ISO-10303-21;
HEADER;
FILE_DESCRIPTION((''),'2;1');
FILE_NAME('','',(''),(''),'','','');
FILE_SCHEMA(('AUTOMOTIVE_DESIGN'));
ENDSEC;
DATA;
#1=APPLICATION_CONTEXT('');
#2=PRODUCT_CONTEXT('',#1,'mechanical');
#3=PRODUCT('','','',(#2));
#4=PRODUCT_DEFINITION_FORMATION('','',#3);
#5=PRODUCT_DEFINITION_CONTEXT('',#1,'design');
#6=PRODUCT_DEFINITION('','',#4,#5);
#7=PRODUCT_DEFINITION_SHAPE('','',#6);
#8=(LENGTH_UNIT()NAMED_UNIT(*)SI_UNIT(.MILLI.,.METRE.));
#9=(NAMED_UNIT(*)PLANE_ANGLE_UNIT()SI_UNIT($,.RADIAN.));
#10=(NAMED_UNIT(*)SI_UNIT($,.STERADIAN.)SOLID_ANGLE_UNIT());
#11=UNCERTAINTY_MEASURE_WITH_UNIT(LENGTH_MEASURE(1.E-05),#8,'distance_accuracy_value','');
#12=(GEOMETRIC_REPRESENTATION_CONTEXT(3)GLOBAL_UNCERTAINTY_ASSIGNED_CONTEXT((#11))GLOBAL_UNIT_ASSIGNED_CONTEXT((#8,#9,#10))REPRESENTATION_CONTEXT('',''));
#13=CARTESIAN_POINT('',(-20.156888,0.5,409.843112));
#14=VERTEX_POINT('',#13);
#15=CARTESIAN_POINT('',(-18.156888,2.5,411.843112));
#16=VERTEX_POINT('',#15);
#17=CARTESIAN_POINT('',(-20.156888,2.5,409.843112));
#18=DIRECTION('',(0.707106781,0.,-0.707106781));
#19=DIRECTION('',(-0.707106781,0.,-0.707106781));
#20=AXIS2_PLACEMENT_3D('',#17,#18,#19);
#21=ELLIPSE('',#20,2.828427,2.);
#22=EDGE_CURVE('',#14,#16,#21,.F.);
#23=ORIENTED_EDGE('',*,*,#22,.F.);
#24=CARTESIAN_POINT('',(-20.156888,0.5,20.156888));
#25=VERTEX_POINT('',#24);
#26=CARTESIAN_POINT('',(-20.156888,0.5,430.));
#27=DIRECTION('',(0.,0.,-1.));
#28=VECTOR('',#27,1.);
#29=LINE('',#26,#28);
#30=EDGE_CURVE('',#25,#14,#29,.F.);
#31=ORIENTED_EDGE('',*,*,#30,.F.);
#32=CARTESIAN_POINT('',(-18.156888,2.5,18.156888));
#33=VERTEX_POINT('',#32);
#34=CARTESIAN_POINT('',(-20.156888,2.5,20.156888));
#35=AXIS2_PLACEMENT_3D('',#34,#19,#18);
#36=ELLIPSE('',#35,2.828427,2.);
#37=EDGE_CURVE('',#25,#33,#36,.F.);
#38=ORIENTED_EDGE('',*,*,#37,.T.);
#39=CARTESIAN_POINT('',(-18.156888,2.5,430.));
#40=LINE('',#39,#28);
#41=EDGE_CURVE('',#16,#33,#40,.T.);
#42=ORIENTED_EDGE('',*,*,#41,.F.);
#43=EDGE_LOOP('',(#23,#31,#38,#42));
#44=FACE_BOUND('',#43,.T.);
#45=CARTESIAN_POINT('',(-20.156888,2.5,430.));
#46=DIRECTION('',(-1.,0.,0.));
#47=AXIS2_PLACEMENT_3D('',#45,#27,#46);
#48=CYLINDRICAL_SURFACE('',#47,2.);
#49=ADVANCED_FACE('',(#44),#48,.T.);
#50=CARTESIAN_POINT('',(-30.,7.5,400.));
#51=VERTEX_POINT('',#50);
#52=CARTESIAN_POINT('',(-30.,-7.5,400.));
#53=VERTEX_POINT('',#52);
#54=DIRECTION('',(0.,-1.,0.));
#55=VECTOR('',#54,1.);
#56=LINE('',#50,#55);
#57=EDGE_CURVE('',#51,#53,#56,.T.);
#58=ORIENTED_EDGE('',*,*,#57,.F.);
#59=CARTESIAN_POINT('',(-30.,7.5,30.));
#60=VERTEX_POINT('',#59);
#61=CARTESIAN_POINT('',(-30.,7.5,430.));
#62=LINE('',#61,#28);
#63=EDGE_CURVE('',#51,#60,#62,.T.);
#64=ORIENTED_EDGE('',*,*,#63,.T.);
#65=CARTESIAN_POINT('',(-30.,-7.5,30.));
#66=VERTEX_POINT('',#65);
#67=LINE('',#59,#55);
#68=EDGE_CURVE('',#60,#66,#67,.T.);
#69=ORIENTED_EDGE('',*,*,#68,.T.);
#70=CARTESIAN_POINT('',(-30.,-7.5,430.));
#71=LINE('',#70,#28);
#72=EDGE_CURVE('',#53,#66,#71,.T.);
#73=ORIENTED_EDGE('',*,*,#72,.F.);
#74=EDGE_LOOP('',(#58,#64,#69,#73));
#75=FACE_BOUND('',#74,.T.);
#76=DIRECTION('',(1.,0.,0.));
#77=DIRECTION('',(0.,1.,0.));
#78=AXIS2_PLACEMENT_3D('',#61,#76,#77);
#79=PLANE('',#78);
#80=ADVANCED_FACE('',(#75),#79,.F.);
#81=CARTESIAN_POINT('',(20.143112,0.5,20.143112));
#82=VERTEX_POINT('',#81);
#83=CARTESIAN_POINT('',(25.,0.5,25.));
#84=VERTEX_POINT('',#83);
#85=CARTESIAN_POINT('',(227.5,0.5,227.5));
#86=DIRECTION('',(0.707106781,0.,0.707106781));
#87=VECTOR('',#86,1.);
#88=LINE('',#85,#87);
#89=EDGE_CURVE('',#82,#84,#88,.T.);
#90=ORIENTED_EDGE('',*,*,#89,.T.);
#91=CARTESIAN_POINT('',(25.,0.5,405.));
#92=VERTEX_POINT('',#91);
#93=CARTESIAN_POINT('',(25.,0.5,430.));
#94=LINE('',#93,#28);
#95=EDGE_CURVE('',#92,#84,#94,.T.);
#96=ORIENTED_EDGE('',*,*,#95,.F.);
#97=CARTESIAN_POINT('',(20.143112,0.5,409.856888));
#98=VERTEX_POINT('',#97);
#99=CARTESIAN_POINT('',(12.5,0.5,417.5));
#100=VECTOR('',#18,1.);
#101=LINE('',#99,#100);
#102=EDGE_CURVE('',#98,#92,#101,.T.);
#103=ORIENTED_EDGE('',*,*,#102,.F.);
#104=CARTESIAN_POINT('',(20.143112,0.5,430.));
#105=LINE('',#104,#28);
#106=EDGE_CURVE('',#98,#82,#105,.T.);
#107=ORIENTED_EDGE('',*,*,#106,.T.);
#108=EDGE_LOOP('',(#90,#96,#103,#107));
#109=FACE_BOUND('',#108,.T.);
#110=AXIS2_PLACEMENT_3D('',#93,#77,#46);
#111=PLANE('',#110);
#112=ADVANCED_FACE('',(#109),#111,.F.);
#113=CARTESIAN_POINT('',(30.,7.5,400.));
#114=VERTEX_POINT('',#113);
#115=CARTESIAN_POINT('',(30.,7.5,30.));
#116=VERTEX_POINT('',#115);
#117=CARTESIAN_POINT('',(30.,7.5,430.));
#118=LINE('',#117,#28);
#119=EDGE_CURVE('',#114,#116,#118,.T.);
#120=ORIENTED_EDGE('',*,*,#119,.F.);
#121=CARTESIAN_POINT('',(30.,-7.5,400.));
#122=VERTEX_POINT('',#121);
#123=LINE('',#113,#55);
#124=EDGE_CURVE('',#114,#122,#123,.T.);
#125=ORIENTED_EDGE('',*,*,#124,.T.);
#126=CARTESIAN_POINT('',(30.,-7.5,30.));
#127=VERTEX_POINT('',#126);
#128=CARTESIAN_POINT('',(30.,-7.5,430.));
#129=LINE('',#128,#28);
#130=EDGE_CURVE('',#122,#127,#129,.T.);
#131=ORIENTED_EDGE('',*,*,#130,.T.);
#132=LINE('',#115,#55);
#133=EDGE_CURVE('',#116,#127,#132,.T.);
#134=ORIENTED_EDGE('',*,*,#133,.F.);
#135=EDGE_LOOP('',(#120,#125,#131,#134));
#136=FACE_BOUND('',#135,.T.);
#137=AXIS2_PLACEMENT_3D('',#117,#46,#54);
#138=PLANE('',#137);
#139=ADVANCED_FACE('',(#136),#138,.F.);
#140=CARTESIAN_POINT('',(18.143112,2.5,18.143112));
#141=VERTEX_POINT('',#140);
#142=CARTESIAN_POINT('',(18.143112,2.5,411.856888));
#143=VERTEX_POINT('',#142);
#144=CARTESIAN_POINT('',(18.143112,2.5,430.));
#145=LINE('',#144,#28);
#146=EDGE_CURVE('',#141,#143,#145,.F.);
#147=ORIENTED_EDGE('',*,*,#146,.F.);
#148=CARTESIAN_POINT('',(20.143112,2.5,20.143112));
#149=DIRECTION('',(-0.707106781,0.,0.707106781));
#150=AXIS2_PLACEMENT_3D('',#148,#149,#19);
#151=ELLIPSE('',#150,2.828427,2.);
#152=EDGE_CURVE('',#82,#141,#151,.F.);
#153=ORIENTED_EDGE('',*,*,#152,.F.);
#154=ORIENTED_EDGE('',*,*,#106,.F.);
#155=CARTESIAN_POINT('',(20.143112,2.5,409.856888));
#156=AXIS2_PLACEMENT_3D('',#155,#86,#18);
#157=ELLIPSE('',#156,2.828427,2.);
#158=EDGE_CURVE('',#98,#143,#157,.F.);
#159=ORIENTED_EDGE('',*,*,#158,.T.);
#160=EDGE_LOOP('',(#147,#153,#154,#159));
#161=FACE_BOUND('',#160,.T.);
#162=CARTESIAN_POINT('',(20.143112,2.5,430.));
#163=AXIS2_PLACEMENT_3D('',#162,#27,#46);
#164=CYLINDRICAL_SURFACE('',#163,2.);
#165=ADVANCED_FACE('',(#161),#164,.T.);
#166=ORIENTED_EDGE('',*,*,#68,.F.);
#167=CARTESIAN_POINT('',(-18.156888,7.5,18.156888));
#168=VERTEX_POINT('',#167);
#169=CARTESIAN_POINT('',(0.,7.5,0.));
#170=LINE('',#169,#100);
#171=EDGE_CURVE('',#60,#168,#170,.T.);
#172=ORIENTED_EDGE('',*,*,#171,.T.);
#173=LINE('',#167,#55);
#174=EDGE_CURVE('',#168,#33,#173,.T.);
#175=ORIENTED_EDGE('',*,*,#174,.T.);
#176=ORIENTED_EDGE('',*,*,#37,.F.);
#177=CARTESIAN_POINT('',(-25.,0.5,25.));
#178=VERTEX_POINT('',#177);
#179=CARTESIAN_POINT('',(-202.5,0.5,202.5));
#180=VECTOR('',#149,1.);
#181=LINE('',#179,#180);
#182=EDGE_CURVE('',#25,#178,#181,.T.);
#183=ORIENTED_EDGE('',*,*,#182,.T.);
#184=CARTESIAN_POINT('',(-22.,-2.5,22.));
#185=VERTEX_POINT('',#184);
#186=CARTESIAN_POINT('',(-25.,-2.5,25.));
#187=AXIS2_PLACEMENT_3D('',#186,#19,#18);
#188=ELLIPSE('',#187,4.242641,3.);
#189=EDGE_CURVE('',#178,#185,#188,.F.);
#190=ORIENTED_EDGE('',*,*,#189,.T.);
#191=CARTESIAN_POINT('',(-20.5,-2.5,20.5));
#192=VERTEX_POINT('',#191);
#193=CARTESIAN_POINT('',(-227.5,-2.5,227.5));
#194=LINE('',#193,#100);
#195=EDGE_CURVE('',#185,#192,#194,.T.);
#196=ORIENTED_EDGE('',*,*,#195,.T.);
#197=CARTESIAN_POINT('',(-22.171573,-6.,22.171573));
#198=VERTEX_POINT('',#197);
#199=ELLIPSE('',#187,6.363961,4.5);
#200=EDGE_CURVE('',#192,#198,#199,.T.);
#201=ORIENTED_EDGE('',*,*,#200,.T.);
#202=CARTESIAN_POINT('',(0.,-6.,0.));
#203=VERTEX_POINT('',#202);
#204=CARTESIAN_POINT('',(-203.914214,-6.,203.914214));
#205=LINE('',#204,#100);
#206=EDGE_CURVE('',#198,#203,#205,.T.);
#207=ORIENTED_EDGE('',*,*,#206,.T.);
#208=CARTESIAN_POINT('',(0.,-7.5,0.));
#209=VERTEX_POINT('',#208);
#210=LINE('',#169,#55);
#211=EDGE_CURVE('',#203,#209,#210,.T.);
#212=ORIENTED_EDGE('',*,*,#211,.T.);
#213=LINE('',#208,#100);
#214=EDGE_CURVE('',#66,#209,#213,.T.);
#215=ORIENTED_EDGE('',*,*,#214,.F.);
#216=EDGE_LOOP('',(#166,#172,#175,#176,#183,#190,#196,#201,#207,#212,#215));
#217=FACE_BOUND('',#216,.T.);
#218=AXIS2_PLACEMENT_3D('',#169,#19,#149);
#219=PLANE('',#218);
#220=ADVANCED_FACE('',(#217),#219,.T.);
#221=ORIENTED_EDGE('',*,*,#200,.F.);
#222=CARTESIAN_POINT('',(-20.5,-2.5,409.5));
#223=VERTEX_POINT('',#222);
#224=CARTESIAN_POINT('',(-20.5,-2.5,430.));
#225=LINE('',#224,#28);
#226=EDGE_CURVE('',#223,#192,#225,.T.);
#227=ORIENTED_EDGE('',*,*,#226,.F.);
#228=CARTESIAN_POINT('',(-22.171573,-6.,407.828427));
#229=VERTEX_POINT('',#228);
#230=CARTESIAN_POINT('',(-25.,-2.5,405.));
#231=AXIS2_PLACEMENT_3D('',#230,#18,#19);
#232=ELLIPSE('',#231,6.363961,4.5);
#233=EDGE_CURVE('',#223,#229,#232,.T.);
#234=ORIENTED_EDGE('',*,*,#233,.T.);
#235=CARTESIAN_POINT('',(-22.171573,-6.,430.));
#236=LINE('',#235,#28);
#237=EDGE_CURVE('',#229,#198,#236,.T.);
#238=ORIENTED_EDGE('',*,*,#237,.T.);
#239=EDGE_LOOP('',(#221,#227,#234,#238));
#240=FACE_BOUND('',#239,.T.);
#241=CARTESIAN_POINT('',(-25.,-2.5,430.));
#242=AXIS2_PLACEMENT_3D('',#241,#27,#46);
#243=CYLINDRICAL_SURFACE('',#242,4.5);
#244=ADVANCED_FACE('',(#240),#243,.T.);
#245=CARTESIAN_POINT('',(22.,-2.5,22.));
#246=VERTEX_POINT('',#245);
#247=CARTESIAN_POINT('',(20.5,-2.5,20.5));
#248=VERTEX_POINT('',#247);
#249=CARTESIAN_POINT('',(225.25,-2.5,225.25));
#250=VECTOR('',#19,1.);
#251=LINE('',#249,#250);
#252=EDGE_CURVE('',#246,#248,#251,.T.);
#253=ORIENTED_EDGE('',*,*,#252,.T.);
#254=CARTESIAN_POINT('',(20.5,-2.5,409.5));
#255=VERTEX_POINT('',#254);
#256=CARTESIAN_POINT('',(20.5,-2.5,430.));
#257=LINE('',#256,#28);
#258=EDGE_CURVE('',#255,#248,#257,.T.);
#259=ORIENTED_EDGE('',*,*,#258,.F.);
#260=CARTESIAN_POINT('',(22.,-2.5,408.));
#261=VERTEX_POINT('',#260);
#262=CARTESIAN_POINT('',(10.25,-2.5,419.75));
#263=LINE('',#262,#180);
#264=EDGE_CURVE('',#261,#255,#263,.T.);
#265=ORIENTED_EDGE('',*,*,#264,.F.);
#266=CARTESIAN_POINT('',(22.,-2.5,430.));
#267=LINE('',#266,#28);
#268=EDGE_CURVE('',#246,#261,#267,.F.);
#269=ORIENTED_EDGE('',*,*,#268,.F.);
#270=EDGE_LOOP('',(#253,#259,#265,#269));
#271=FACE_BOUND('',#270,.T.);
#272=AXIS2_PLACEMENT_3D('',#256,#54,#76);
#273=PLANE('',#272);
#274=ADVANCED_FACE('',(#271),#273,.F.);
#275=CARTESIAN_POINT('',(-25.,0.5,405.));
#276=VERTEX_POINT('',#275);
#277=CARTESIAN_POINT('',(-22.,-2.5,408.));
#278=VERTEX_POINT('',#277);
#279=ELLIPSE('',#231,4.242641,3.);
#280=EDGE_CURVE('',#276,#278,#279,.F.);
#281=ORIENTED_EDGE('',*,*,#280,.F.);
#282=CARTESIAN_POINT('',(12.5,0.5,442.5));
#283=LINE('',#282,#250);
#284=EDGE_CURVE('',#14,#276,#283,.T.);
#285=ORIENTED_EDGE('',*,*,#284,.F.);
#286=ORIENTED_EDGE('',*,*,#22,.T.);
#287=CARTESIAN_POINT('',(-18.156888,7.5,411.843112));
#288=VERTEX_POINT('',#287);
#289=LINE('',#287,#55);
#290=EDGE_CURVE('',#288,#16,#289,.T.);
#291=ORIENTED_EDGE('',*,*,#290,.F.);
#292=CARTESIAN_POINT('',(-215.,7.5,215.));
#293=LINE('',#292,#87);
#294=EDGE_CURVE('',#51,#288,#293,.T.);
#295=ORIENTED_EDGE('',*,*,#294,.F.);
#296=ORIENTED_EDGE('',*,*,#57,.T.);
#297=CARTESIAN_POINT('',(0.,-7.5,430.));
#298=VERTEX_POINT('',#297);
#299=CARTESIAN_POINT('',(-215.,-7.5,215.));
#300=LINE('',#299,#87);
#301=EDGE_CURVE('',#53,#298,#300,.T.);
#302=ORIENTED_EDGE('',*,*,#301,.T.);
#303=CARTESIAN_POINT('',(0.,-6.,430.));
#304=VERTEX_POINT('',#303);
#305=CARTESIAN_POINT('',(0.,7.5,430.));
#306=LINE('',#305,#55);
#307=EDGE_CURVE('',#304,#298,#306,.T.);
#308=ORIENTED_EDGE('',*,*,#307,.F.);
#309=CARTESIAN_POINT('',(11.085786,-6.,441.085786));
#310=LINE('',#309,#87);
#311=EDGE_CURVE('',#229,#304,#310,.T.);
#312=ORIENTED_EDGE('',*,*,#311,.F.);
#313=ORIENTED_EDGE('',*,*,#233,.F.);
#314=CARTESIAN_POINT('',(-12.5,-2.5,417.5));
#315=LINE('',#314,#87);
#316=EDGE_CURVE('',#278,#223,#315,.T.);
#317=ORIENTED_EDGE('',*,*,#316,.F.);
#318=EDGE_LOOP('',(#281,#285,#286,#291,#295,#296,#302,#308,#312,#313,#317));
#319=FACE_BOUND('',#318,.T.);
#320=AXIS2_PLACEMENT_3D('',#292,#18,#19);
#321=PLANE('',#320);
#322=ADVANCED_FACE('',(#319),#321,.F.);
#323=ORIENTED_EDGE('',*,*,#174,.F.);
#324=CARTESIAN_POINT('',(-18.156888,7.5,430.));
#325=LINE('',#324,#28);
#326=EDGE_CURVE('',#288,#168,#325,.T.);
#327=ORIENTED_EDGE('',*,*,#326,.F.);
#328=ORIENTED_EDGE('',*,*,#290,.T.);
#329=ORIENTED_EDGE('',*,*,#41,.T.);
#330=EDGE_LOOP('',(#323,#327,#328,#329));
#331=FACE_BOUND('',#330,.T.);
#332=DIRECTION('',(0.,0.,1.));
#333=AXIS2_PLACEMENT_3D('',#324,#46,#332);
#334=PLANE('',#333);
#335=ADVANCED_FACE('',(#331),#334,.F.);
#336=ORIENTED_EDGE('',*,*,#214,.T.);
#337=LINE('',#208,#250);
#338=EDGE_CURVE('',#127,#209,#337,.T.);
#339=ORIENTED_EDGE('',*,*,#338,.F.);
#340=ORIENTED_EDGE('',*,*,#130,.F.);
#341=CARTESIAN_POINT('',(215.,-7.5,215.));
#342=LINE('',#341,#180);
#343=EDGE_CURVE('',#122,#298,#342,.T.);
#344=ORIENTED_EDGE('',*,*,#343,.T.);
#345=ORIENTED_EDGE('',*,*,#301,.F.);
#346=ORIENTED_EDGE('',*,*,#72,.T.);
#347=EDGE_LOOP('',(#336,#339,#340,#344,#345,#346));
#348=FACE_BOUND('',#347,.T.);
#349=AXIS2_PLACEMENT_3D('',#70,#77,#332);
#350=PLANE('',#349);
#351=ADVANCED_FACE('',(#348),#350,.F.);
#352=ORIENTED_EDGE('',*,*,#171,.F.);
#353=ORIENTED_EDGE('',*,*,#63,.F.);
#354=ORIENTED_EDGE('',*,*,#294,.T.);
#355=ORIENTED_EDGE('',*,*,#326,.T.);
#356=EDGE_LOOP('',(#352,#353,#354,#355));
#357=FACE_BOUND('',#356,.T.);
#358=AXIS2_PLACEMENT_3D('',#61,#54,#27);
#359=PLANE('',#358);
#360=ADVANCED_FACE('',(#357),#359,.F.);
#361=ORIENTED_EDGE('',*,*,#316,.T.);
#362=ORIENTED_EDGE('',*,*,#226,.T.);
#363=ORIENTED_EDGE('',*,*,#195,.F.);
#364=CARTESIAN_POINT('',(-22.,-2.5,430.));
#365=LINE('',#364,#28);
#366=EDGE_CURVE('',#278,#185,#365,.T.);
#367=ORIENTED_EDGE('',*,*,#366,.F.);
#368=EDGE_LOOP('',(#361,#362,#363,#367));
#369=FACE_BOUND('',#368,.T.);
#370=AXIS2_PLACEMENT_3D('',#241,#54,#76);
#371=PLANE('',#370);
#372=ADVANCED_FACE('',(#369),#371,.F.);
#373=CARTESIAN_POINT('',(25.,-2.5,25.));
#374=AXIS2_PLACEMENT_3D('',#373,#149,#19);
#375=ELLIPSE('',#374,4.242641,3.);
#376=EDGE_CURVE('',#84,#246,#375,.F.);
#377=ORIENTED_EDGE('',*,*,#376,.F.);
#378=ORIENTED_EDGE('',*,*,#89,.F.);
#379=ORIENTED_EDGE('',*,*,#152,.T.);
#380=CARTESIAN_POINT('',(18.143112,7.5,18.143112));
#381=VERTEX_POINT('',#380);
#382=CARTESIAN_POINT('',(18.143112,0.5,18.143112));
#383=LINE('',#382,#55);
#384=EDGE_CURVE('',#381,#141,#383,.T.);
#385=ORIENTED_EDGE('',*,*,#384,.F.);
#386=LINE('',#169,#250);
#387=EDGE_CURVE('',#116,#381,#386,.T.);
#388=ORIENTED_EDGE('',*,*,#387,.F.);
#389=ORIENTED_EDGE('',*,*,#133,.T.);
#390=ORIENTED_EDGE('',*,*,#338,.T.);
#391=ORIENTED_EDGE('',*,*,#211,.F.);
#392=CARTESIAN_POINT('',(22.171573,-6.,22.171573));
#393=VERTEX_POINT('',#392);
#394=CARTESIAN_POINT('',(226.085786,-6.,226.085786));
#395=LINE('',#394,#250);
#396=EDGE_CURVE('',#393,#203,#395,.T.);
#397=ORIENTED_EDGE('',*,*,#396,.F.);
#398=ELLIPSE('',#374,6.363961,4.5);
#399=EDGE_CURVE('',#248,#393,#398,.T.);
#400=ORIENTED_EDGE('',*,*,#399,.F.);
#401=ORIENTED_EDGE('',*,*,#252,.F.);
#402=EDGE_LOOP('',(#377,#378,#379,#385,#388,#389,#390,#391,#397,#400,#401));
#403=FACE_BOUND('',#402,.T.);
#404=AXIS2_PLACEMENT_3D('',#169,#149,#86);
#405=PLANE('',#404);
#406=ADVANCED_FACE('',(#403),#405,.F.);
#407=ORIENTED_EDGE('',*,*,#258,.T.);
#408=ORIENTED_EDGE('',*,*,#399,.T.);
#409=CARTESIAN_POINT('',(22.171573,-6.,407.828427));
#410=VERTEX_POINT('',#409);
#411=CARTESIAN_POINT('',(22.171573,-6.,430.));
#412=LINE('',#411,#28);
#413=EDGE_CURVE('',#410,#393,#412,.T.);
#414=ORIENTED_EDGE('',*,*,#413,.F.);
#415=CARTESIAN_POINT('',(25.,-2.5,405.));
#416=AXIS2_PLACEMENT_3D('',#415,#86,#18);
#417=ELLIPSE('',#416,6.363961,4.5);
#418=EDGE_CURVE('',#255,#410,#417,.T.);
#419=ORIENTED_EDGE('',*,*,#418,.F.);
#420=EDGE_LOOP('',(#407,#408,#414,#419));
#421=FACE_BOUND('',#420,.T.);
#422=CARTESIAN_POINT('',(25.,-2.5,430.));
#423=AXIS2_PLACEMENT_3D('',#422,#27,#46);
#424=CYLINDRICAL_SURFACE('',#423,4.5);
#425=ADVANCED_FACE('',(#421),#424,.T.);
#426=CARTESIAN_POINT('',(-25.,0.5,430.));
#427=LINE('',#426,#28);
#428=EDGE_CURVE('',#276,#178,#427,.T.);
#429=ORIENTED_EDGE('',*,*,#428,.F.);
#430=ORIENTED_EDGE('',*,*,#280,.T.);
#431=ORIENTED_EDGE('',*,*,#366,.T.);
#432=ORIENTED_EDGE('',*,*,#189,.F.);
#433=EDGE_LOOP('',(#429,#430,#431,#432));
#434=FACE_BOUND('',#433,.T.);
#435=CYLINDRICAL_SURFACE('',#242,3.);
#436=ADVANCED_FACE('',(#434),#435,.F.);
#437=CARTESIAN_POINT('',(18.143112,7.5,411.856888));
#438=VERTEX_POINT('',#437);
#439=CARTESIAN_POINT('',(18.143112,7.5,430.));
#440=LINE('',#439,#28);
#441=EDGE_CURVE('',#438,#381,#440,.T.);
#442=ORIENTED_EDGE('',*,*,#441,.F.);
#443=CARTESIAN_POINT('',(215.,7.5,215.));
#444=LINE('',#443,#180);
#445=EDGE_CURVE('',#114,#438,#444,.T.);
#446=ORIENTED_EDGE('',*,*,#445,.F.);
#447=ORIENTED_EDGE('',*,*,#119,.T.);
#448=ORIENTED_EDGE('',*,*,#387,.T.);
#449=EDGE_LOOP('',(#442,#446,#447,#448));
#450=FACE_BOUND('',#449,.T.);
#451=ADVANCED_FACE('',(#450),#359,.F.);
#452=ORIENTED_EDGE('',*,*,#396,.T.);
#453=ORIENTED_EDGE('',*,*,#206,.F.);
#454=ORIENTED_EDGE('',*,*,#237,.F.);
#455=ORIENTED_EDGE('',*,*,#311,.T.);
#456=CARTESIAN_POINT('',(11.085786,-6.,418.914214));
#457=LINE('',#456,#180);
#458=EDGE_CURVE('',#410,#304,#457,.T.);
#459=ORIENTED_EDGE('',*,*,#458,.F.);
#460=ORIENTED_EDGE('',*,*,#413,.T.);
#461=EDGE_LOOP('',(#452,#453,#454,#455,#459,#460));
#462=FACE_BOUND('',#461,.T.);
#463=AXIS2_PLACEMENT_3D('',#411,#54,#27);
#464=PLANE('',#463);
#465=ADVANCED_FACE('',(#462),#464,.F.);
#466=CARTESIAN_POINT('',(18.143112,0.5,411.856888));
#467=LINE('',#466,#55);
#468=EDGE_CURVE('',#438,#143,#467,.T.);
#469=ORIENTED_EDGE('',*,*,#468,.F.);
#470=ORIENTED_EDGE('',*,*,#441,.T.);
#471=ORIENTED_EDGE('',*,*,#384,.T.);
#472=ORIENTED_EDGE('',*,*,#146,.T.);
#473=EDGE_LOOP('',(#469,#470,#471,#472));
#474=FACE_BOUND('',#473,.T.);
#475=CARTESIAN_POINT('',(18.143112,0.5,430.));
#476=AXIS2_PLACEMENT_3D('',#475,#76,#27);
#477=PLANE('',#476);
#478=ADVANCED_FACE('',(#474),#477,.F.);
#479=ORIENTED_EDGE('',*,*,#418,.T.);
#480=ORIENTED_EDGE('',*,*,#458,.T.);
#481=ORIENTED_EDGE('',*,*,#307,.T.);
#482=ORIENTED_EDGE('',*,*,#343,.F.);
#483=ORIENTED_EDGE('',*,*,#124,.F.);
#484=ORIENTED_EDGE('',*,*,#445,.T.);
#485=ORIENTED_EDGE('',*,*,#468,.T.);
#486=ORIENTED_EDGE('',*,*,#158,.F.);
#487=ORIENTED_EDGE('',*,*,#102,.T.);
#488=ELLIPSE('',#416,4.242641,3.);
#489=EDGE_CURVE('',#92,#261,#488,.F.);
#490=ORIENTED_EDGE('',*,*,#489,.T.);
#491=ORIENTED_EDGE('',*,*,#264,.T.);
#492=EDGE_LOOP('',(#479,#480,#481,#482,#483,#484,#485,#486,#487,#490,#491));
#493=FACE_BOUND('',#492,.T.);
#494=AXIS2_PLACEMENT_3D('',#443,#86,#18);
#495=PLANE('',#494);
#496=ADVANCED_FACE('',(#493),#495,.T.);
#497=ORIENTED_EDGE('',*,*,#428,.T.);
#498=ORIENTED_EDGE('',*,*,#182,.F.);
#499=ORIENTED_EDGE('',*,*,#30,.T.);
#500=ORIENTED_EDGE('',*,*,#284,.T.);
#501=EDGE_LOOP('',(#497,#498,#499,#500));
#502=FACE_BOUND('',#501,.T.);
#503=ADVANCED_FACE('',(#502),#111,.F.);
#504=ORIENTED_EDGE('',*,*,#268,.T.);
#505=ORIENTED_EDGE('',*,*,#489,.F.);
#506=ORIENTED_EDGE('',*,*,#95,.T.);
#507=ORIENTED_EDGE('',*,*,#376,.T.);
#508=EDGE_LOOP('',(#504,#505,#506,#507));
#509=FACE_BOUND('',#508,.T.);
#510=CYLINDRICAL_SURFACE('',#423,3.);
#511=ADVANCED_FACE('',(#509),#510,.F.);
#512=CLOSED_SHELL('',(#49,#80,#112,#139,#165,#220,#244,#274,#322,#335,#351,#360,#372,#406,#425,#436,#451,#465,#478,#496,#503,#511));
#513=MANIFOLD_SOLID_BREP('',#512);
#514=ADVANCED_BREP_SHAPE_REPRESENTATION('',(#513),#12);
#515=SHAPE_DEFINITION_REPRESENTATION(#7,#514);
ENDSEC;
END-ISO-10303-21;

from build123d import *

# Parameters (mm, degrees)
SKETCH_1_W          = 60
SKETCH_1_H          = 15
EXTRUDE_1_DEPTH     = 430
SKETCH_2_R          = 3
CUT_EXTRUDE_1_DEPTH = 432.110484679
CUT_EXTRUDE_2_DEPTH = 432.110484679
SKETCH_4_W          = 36.3
SKETCH_4_H          = 7
CUT_EXTRUDE_3_DEPTH = 432.110484679
FILLET_1_R          = 2
CUT_EXTRUDE_4_DEPTH = 432.306155764


with BuildPart() as part:
    # 스케치1 → 보스-돌출1 (new body)
    with BuildSketch(Plane.XY):
        Rectangle(SKETCH_1_W, SKETCH_1_H)
    extrude(amount=EXTRUDE_1_DEPTH)

    # 스케치2 → 컷-돌출1 (cut, through all)
    with BuildSketch(Plane(origin=(0, 0, 0), x_dir=(-1, 0, 0), z_dir=(0, 0, -1))):
        with Locations((-25, -2.5)):
            Circle(SKETCH_2_R)
        with Locations((25, -2.5)):
            Circle(SKETCH_2_R)
    extrude(amount=-CUT_EXTRUDE_1_DEPTH, mode=Mode.SUBTRACT)

    # 스케치3 → 컷-돌출2 (cut, through all)
    with BuildSketch(Plane(origin=(0, 0, 0), x_dir=(-1, 0, 0), z_dir=(0, 0, -1))):
        with BuildLine():
            Line((-22.171572875, -6), (22.171572875, -6))
            ThreePointArc((22.171572875, -6), (20.939339828, -4.439339828), (20.5, -2.5))
            Line((20.5, -2.5), (25, -2.5))
            Line((25, -2.5), (25, 0.5))
            Line((25, 0.5), (-25, 0.5))
            Line((-25, 0.5), (-25, -2.5))
            Line((-25, -2.5), (-20.5, -2.5))
            ThreePointArc((-20.5, -2.5), (-20.939339828, -4.439339828), (-22.171572875, -6))
        make_face()
    extrude(amount=-CUT_EXTRUDE_2_DEPTH, mode=Mode.SUBTRACT)

    # 스케치4 → 컷-돌출3 (cut, through all)
    with BuildSketch(Plane(origin=(0, 0, 0), x_dir=(-1, 0, 0), z_dir=(0, 0, -1))):
        with Locations((0.006888359, 4)):
            Rectangle(SKETCH_4_W, SKETCH_4_H)
    extrude(amount=-CUT_EXTRUDE_3_DEPTH, mode=Mode.SUBTRACT)

    # 필렛1
    fillet_1_edges = [part.edges().sort_by_distance(p)[0] for p in [
        (-18.156888359, 0.5, 215),
        (18.143111641, 0.5, 215),
    ]]
    fillet(fillet_1_edges, radius=FILLET_1_R)

    # 스케치5 → 컷-돌출4 (cut, through all)
    with BuildSketch(Plane.XZ.offset(7.5)):
        Polygon((30, 430), (0, 430), (30, 400), align=None)
        Polygon((0, 430), (-30, 430), (-30, 400), align=None)
        Polygon((0, 0), (-30, 30), (-30, 0), align=None)
        Polygon((30, 30), (0, 0), (30, 0), align=None)
    extrude(amount=-CUT_EXTRUDE_4_DEPTH, mode=Mode.SUBTRACT)


solid = part.part
